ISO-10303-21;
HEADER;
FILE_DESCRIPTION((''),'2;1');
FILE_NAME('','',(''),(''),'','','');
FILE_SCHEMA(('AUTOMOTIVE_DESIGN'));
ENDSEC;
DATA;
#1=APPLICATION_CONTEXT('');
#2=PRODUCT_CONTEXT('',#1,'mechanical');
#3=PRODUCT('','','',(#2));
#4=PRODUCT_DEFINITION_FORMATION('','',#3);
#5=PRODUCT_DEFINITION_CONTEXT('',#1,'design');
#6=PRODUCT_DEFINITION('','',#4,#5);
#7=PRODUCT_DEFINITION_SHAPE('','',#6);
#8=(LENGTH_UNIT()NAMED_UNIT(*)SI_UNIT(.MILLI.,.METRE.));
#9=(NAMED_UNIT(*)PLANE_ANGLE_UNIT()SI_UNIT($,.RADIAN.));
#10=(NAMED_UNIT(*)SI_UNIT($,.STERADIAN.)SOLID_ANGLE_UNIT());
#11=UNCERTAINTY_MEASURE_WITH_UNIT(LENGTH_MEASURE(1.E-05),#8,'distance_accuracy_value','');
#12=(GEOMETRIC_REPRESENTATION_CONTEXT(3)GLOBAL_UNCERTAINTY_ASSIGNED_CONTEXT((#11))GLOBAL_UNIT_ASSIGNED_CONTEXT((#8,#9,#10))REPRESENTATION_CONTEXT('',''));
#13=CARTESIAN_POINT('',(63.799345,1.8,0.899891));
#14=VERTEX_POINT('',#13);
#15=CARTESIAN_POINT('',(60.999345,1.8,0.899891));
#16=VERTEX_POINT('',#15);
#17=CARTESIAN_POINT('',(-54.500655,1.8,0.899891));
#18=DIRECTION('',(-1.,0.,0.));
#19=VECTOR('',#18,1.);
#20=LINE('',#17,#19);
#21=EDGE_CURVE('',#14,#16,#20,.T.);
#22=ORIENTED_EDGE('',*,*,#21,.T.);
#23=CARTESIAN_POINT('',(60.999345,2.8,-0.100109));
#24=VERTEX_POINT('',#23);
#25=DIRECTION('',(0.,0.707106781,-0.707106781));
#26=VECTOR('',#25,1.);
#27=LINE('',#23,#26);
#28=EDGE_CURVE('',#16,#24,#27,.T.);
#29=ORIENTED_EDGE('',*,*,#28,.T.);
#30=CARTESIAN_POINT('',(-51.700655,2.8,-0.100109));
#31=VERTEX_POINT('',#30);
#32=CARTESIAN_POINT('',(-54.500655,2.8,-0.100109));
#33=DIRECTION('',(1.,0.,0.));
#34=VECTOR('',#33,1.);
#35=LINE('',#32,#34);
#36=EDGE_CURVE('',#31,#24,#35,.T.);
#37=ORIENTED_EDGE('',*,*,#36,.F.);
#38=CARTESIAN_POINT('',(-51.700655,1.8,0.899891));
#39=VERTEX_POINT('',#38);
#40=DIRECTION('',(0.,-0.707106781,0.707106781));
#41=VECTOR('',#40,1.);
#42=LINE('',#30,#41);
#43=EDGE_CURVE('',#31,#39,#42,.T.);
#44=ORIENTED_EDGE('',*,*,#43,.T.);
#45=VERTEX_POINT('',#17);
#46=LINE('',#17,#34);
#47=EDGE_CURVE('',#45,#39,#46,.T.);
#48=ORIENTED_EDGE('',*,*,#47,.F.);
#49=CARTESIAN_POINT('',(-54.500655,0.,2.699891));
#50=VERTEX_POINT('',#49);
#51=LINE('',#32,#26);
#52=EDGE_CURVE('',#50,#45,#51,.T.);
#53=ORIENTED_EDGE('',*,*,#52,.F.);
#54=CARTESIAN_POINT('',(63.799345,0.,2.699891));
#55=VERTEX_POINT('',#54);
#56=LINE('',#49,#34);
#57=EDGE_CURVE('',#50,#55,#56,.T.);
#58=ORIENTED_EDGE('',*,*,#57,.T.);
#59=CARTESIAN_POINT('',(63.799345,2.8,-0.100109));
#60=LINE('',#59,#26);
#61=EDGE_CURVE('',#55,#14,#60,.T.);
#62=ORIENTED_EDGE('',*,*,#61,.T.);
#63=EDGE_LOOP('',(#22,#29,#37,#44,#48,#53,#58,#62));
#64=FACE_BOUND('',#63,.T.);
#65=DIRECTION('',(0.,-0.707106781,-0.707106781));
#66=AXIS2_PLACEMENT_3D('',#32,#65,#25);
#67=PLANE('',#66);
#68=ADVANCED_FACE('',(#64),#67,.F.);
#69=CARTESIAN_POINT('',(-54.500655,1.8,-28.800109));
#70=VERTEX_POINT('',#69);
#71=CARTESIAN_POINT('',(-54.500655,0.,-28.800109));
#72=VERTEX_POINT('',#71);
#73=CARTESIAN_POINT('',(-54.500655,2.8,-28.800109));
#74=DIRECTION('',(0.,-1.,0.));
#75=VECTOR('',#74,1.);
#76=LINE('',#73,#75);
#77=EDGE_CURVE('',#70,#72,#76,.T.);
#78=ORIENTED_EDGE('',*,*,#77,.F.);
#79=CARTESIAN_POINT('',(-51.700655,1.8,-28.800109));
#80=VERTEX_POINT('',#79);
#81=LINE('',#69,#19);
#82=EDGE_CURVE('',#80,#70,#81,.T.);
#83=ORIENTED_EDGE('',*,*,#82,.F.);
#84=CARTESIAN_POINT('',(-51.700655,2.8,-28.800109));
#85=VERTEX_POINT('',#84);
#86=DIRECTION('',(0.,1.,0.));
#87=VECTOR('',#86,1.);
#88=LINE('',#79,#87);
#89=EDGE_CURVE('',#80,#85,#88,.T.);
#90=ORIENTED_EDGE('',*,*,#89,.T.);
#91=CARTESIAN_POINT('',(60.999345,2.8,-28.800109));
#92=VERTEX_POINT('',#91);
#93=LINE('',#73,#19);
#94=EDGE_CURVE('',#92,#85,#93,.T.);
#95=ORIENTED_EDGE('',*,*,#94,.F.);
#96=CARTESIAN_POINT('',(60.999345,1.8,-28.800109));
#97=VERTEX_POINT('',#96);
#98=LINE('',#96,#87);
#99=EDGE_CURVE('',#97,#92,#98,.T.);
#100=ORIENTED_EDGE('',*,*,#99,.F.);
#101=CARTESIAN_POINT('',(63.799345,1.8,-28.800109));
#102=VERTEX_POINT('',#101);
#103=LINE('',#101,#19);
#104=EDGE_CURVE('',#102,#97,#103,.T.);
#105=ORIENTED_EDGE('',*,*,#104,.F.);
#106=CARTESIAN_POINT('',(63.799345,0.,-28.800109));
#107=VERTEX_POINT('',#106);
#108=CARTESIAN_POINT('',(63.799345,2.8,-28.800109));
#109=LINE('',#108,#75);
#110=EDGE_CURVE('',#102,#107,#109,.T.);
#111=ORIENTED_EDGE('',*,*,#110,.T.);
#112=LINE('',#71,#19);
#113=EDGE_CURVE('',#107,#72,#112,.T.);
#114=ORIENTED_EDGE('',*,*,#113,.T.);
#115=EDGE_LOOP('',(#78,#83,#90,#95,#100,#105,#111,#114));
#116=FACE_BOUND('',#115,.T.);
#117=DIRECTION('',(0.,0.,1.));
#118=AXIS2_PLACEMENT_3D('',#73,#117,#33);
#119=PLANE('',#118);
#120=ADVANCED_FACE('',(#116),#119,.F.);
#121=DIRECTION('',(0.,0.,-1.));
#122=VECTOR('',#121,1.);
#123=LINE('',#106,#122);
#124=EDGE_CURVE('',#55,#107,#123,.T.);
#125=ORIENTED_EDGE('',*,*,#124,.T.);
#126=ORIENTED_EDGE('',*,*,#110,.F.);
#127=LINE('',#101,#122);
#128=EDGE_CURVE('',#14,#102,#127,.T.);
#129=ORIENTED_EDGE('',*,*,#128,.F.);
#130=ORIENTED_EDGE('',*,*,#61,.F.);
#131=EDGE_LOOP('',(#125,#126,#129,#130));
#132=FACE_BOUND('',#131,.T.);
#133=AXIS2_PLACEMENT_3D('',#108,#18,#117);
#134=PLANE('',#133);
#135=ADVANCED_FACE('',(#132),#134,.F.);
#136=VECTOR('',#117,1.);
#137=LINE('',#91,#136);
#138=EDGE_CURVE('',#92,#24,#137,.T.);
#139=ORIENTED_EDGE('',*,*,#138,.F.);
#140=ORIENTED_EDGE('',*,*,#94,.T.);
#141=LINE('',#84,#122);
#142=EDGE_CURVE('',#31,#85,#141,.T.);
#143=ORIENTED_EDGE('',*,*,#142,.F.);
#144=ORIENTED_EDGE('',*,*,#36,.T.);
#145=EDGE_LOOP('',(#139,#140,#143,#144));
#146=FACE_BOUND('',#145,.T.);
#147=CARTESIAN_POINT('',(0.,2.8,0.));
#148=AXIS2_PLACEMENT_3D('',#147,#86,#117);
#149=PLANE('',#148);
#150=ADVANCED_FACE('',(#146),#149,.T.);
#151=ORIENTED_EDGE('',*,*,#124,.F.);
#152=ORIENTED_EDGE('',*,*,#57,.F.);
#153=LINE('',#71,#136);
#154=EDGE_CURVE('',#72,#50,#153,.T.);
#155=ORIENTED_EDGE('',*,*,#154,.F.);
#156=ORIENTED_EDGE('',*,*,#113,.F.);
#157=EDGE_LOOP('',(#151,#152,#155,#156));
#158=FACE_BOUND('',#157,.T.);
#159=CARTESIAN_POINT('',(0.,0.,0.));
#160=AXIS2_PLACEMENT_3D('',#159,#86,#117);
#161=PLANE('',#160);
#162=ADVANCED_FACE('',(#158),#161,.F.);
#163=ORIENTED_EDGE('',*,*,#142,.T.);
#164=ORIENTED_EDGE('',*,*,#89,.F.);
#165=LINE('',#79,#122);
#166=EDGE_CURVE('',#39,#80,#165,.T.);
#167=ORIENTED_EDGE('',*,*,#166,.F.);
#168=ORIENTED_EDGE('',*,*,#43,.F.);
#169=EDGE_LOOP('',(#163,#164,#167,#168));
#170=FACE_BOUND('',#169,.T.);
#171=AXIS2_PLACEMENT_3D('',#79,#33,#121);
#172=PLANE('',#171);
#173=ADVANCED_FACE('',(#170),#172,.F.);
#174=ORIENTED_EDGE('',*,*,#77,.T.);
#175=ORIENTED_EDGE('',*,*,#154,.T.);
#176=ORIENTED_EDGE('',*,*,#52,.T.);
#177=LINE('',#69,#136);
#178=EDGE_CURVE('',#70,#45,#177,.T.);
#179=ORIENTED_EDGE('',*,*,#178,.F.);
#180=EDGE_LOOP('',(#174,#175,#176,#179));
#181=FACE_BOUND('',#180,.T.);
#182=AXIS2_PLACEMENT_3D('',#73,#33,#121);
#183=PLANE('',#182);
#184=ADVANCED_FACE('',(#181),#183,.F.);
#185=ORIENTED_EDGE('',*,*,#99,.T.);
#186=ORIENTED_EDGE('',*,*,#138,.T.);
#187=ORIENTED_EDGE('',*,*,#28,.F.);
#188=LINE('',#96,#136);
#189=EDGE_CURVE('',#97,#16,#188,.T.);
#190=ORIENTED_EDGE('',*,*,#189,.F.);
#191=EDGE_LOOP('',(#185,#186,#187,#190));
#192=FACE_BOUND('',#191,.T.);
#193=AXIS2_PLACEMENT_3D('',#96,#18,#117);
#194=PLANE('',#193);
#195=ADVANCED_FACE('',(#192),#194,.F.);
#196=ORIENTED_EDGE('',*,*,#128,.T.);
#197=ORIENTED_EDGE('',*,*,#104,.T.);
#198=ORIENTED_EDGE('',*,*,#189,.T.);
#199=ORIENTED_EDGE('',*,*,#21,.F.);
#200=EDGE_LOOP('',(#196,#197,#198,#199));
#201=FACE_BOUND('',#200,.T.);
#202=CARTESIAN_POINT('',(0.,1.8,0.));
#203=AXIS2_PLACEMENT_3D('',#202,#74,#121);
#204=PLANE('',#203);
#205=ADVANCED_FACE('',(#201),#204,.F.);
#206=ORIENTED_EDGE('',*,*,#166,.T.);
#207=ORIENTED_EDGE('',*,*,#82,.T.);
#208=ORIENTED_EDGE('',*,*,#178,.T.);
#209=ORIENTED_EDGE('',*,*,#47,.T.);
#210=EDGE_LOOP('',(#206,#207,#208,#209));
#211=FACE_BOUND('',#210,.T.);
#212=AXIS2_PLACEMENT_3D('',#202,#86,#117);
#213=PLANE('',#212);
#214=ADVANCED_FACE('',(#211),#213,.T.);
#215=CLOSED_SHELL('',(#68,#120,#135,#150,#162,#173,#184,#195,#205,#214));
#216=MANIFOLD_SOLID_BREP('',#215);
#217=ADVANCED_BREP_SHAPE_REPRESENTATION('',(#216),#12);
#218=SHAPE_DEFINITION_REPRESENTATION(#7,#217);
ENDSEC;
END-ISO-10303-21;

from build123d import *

# Parameters (mm, degrees)
SKETCH_1_W          = 118.3
SKETCH_1_H          = 31.5
EXTRUDE_1_DEPTH     = 2.8
CUT_EXTRUDE_1_DEPTH = 122.787422537
SKETCH_3_W          = 2.8
SKETCH_3_H          = 31.5
CUT_EXTRUDE_2_DEPTH = 1


with BuildPart() as part:
    # 草图1 → 凸台-拉伸1 (new body)
    with BuildSketch(Plane(origin=(0, 0, 0), x_dir=(1, 0, 0), z_dir=(0, 1, 0))):
        with Locations((4.649344978, 13.05010917)):
            Rectangle(SKETCH_1_W, SKETCH_1_H)
    extrude(amount=EXTRUDE_1_DEPTH)

    # 草图2 → 切除-拉伸1 (cut, through all)
    with BuildSketch(Plane(origin=(63.799344978, 0, 0), x_dir=(0, 0, -1), z_dir=(1, 0, 0))):
        Polygon((-2.69989083, 0), (-2.69989083, 2.8), (0.10010917, 2.8), align=None)
    extrude(amount=-CUT_EXTRUDE_1_DEPTH, mode=Mode.SUBTRACT)

    # 草图3 → 切除-拉伸2 (cut)
    with BuildSketch(Plane(origin=(0, 2.8, 0), x_dir=(1, 0, 0), z_dir=(0, 1, 0))):
        with Locations((-53.100655022, 13.05010917)):
            Rectangle(SKETCH_3_W, SKETCH_3_H)
        with Locations((62.399344978, 13.05010917)):
            Rectangle(SKETCH_3_W, SKETCH_3_H)
    extrude(amount=-CUT_EXTRUDE_2_DEPTH, mode=Mode.SUBTRACT)


solid = part.part
